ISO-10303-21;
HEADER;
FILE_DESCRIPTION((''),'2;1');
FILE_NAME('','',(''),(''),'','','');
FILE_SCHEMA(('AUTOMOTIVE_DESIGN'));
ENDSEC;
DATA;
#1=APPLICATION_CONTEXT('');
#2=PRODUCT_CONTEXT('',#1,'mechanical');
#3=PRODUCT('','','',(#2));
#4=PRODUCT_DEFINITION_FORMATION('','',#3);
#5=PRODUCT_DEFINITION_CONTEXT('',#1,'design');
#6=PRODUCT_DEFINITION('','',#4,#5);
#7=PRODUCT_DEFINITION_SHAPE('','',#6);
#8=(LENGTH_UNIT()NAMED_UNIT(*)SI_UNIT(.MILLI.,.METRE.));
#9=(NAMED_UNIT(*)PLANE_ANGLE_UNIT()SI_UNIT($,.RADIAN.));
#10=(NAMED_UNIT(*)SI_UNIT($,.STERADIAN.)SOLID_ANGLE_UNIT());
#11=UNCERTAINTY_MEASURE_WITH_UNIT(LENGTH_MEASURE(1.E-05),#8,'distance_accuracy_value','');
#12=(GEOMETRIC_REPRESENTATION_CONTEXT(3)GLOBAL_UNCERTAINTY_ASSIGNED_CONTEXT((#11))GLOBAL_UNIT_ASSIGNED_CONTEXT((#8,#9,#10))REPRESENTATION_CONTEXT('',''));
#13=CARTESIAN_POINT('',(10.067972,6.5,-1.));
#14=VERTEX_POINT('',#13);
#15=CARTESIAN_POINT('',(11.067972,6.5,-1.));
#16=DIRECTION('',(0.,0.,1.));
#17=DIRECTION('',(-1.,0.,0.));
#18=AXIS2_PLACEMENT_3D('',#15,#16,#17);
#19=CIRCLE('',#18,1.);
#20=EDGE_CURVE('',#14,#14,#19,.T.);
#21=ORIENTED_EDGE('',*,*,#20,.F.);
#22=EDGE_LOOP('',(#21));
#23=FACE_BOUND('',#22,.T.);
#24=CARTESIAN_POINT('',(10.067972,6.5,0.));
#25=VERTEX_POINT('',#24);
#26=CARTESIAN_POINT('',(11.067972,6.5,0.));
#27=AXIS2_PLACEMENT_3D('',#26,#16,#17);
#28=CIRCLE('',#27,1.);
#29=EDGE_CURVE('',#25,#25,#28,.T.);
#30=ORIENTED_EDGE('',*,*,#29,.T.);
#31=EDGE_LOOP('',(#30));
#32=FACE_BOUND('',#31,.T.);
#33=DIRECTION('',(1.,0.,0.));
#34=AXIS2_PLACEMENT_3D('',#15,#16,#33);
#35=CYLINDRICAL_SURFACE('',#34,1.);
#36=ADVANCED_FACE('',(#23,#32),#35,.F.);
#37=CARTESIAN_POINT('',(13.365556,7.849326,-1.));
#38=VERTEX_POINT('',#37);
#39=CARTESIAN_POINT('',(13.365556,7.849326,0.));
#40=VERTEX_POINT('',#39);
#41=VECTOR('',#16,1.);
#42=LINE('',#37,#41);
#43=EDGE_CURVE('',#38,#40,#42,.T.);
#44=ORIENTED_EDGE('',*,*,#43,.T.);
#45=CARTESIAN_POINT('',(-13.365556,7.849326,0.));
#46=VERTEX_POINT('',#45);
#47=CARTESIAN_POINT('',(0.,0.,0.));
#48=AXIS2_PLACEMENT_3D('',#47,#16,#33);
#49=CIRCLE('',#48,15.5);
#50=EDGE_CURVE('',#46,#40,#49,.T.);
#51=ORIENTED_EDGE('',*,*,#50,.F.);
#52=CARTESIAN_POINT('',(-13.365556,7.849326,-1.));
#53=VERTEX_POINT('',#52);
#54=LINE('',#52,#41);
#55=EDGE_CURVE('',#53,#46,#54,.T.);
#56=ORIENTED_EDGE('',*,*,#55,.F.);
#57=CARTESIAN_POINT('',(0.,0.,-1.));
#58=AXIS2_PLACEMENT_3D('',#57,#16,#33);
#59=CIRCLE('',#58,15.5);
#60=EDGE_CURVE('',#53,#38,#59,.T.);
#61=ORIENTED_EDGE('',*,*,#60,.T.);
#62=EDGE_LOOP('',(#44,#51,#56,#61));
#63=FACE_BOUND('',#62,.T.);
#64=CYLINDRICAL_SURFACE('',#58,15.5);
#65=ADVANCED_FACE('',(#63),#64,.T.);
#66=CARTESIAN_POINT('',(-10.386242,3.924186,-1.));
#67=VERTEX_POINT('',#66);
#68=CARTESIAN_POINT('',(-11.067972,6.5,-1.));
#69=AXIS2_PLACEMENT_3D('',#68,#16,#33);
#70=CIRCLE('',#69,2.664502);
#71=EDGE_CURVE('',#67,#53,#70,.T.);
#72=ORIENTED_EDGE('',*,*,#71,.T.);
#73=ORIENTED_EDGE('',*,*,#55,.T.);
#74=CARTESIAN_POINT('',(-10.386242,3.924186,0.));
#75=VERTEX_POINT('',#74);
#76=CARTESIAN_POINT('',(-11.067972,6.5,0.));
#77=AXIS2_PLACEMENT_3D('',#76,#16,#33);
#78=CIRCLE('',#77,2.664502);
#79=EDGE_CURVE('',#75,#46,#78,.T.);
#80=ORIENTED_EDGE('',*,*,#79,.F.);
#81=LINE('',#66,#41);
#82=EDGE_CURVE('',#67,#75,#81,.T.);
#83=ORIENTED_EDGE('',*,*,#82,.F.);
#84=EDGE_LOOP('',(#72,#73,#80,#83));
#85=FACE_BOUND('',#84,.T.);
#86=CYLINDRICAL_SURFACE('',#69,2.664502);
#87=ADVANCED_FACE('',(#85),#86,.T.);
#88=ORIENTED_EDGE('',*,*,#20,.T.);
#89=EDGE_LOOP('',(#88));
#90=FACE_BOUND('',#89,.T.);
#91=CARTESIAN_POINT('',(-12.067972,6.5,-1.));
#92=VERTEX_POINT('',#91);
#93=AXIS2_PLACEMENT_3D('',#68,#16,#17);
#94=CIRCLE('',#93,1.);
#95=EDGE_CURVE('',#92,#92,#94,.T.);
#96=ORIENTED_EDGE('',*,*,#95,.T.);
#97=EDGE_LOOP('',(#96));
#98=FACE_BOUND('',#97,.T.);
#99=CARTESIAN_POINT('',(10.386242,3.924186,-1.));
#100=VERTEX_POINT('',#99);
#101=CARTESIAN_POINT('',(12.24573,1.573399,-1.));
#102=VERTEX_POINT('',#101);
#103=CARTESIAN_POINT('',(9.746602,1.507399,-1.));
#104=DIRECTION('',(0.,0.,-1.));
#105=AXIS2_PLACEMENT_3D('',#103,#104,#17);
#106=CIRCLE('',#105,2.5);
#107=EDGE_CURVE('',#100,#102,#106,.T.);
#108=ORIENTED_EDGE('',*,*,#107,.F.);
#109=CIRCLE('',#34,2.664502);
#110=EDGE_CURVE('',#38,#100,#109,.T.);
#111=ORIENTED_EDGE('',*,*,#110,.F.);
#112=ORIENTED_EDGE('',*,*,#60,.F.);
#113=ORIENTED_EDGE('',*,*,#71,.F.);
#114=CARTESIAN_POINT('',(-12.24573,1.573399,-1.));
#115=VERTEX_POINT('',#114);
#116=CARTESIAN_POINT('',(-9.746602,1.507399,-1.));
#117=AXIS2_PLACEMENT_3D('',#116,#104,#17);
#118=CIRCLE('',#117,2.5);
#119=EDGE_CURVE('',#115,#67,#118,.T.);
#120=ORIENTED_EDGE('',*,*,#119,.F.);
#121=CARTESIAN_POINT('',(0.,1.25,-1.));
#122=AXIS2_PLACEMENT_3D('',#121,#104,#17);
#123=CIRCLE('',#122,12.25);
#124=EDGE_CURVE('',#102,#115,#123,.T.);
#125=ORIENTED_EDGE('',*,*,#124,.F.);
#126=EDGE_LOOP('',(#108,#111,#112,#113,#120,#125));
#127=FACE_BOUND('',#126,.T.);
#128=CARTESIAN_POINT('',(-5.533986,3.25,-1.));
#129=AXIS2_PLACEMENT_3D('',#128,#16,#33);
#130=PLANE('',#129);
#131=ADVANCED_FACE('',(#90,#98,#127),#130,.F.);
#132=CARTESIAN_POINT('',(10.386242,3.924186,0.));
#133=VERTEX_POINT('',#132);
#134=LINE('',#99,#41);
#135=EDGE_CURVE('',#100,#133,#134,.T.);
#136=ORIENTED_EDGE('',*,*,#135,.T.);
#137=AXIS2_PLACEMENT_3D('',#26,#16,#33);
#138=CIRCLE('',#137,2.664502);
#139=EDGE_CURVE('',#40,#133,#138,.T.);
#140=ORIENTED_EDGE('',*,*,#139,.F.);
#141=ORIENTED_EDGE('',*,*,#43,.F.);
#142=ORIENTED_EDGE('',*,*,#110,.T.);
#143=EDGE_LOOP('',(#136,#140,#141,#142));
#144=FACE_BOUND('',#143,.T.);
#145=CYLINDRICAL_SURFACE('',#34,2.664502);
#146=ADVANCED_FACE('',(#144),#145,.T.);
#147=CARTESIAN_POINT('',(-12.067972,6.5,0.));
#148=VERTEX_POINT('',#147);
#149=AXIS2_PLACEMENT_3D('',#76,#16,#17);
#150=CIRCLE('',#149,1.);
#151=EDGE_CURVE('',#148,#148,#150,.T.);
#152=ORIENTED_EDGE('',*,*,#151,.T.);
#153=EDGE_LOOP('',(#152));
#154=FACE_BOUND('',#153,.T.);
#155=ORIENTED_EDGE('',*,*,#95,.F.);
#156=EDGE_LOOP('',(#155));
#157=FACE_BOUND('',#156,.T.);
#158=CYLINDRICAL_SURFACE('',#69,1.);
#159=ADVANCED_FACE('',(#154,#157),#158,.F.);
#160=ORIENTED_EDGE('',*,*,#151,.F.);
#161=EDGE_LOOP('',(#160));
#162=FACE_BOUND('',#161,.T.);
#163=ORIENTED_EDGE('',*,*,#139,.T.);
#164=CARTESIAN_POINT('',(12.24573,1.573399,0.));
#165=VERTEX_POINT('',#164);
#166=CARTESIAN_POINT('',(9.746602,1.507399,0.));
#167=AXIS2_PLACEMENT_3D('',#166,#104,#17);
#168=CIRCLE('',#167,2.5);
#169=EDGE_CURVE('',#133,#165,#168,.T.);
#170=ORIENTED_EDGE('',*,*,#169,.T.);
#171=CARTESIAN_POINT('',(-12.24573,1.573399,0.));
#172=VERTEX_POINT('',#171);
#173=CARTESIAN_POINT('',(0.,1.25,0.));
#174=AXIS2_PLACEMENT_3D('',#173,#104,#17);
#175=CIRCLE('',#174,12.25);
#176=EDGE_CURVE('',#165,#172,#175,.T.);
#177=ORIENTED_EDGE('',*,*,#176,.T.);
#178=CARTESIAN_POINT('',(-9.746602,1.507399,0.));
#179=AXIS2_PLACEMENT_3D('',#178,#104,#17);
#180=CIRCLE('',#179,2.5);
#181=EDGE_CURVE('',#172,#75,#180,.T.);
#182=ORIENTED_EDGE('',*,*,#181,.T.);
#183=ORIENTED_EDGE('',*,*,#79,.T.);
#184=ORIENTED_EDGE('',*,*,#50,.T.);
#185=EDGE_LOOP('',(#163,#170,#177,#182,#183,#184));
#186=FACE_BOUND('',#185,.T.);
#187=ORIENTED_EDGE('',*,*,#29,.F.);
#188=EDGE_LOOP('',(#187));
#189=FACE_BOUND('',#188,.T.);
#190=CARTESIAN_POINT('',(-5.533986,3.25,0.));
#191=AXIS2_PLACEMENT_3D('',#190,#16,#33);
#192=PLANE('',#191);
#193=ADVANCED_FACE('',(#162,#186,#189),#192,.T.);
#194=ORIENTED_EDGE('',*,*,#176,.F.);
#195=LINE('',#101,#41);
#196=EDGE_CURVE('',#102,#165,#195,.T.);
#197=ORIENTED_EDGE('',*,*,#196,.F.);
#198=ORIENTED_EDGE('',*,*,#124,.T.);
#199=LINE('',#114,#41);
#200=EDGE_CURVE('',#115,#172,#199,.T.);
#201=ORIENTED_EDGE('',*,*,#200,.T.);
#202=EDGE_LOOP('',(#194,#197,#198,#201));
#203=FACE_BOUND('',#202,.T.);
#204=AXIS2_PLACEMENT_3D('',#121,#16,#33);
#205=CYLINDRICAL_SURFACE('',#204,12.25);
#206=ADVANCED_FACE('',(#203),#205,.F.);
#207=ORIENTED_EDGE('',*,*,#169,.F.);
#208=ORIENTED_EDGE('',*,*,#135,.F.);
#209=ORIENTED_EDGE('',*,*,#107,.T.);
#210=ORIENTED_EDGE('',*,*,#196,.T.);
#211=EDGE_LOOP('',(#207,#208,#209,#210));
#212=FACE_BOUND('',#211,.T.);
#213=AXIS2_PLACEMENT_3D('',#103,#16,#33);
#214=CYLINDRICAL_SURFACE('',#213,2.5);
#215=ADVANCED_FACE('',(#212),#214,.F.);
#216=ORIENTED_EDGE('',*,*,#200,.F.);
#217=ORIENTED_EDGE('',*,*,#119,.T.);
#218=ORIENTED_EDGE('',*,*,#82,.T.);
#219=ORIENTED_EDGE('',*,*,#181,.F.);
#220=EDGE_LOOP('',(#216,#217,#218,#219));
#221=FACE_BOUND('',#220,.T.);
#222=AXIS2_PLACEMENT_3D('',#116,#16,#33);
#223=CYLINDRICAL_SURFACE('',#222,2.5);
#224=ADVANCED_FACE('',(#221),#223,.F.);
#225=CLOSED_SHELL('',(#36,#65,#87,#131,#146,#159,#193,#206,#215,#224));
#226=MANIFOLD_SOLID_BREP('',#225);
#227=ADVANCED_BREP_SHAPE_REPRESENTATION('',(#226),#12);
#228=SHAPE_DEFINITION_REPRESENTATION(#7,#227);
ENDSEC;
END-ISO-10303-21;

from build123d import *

# Parameters (mm, degrees)
SKETCH_1_R      = 1
EXTRUDE_1_DEPTH = 1


with BuildPart() as part:
    # Эскиз1 → Бобышка-Вытянуть1 (new body)
    with BuildSketch(Plane.XY):
        with BuildLine():
            ThreePointArc((-13.365556031, 7.849325575), (0, -15.5), (13.365556031, 7.849325575))
            ThreePointArc((13.365556031, 7.849325575), (8.94560833, 8.110945689), (10.386242309, 3.924186023))
            ThreePointArc((10.386242309, 3.924186023), (11.7073461, 3.058360422), (12.245730412, 1.573398627))
            ThreePointArc((12.245730412, 1.573398627), (0, -11), (-12.245730412, 1.573398627))
            ThreePointArc((-12.245730412, 1.573398627), (-11.7073461, 3.058360422), (-10.386242309, 3.924186023))
            ThreePointArc((-10.386242309, 3.924186023), (-8.94560833, 8.110945689), (-13.365556031, 7.849325575))
        make_face()
        with Locations((-11.067971811, 6.5)):
            Circle(SKETCH_1_R, mode=Mode.SUBTRACT)
        with Locations((11.067971811, 6.5)):
            Circle(SKETCH_1_R, mode=Mode.SUBTRACT)
    extrude(amount=-EXTRUDE_1_DEPTH)


solid = part.part
